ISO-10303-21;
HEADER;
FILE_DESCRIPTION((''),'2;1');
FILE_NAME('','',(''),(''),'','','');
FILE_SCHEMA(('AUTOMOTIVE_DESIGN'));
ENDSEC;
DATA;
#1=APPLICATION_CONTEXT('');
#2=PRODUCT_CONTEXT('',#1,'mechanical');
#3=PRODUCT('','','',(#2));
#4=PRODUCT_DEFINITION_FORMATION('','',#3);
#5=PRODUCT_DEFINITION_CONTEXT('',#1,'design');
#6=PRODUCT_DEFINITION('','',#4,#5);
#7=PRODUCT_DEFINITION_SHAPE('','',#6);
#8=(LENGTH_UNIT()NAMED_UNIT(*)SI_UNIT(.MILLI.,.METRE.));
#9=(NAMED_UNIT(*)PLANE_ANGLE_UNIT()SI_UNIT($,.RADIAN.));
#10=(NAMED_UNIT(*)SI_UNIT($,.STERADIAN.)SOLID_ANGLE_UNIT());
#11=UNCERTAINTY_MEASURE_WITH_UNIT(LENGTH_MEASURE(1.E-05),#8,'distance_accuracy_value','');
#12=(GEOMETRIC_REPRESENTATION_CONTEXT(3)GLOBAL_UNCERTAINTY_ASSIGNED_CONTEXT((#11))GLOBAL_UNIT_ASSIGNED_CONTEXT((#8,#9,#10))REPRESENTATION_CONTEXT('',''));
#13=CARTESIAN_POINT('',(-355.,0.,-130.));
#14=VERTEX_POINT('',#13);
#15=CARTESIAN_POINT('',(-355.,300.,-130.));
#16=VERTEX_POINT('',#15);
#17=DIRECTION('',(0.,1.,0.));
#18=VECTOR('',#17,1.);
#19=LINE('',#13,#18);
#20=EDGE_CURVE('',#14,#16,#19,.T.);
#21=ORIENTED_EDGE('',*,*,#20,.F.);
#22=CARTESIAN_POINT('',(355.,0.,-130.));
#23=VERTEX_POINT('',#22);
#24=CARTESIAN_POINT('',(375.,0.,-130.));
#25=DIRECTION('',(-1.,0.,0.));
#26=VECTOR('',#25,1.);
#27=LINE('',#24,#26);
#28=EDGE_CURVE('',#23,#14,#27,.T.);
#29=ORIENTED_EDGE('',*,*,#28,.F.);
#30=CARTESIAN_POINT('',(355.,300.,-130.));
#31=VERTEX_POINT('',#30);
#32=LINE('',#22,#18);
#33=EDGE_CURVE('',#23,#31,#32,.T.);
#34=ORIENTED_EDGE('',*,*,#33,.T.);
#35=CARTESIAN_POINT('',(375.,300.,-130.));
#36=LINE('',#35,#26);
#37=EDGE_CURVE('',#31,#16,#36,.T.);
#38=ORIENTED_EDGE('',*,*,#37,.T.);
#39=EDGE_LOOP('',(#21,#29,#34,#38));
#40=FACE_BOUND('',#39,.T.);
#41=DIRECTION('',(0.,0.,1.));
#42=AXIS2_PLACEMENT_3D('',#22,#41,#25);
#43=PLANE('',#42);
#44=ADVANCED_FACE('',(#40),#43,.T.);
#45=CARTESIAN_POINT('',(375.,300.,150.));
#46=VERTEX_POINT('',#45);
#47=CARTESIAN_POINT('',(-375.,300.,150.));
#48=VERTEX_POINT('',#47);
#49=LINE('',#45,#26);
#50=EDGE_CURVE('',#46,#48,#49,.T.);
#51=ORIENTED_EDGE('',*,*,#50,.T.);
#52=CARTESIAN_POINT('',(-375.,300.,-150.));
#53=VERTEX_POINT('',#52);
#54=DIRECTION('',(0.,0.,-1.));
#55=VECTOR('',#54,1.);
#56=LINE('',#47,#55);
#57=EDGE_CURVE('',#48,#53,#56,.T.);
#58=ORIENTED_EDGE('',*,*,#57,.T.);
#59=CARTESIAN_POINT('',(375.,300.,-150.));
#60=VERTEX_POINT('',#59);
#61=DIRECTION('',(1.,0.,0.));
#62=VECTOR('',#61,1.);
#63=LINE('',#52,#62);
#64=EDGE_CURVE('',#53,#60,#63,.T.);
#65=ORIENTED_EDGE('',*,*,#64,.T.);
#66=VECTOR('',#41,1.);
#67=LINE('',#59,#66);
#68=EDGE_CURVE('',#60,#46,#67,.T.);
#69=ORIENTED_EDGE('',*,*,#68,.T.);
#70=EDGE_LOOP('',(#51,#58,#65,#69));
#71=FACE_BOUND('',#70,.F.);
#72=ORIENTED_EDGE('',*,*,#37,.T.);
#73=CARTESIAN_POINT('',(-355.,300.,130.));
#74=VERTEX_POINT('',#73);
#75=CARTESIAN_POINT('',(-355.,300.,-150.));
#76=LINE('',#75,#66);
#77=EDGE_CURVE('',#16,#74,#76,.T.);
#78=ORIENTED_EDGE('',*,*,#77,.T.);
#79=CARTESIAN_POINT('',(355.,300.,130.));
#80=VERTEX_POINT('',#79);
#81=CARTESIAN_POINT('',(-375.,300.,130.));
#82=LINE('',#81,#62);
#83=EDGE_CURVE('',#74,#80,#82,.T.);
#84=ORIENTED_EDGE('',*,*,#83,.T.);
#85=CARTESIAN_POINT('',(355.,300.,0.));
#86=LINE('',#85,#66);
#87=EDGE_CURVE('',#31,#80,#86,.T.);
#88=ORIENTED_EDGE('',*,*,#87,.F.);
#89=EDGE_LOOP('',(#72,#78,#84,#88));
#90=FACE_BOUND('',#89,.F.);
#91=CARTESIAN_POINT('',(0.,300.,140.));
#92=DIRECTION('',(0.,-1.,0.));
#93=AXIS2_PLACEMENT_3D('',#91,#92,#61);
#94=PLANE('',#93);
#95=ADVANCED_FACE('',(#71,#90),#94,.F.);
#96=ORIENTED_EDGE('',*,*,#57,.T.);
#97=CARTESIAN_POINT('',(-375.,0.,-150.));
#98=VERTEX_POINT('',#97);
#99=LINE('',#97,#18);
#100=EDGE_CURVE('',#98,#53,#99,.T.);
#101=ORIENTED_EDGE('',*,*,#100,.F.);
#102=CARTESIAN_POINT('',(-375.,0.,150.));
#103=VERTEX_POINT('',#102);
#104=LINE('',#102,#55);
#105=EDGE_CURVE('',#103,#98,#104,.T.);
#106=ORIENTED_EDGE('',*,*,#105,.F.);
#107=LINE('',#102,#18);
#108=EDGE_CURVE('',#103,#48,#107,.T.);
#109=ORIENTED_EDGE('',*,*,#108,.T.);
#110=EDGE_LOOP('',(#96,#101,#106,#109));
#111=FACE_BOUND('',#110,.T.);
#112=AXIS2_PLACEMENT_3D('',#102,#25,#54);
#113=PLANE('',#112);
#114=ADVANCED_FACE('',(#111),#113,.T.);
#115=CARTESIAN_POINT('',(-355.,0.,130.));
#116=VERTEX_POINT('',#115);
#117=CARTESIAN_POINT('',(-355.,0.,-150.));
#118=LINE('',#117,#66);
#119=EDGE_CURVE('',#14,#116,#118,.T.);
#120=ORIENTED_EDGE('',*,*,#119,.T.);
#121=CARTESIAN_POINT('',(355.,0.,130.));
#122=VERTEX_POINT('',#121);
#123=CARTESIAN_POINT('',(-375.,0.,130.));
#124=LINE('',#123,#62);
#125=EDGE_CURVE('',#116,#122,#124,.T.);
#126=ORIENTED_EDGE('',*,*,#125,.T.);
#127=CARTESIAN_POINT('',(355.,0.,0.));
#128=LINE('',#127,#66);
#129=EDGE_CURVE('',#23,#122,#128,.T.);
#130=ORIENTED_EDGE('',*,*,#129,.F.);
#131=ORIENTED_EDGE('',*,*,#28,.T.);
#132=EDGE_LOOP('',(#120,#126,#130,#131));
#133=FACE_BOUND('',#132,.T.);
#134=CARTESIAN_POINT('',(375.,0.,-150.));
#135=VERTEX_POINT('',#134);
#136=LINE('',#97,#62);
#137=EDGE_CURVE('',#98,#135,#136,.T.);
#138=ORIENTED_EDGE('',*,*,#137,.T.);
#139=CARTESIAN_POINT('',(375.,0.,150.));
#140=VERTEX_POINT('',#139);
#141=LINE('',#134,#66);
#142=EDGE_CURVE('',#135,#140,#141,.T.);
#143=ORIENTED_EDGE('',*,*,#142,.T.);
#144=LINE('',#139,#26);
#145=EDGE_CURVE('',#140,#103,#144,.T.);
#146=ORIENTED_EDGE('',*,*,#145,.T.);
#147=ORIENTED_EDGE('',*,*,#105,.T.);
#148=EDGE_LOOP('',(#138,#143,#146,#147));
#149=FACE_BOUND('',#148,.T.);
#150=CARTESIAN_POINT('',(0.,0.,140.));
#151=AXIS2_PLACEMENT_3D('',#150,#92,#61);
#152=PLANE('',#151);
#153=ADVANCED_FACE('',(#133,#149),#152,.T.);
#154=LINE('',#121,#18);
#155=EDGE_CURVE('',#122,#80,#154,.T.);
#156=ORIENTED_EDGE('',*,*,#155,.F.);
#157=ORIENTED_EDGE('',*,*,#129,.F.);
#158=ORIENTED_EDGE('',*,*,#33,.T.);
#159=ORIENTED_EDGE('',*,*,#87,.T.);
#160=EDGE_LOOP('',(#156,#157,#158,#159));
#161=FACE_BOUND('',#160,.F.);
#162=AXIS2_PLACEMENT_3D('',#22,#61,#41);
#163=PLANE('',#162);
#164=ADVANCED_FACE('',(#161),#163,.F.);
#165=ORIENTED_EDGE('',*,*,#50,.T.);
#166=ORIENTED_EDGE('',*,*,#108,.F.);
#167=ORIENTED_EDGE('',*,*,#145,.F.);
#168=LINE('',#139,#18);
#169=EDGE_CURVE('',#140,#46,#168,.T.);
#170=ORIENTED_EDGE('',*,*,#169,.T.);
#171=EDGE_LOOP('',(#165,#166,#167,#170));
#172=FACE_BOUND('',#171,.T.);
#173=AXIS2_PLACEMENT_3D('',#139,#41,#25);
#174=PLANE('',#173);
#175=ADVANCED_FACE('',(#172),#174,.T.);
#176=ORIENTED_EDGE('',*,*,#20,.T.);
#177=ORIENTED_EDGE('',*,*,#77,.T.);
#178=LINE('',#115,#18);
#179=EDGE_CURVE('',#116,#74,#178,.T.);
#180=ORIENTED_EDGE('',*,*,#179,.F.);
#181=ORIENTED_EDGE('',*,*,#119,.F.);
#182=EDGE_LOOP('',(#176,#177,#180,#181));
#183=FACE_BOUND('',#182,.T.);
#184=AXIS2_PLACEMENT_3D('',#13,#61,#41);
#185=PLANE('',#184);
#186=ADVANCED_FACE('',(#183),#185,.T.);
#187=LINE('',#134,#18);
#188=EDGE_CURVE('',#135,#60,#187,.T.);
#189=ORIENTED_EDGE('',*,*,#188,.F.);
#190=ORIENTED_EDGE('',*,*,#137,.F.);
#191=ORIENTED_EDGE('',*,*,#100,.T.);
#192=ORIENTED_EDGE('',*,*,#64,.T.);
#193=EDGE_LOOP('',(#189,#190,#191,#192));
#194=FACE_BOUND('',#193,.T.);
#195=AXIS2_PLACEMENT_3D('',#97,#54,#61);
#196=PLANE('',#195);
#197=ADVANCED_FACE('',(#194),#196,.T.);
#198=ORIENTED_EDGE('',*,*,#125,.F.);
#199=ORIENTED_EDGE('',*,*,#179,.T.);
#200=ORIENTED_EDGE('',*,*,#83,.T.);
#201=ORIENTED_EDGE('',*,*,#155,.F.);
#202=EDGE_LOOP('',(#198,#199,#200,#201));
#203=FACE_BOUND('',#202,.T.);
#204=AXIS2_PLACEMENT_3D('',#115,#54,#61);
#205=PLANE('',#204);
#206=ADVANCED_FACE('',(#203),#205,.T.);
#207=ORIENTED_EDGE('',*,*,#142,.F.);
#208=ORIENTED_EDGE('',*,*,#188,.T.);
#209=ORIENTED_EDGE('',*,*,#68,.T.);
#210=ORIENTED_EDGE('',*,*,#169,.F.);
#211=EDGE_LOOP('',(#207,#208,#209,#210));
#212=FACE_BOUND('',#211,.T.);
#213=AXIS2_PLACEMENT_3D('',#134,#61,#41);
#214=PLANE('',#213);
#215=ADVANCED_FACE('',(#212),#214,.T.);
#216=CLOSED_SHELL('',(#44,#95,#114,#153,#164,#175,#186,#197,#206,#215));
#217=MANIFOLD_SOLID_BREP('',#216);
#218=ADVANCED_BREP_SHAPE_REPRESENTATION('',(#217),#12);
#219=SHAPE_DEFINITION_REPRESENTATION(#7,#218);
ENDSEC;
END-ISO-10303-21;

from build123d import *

# Parameters (mm, degrees)
F0_W     = 710
F0_H     = 20
F0_W_2   = 20
F0_H_2   = 260
F1_DEPTH = 300


with BuildPart() as f1:
    # F0 (on Front) → F1 (new body)
    with BuildSketch(Plane.XZ):
        with Locations((0, 140)):
            Rectangle(F0_W, F0_H)
        with Locations((-365, 140)):
            Rectangle(F0_W_2, F0_H)
        with Locations((-365, 0)):
            Rectangle(F0_W_2, F0_H_2)
        with Locations((-365, -140)):
            Rectangle(F0_W_2, F0_H)
        with Locations((0, -140)):
            Rectangle(F0_W, F0_H)
        with Locations((365, -140)):
            Rectangle(F0_W_2, F0_H)
        with Locations((365, 0)):
            Rectangle(F0_W_2, F0_H_2)
        with Locations((365, 140)):
            Rectangle(F0_W_2, F0_H)
    extrude(amount=-F1_DEPTH)


solid = f1.part
